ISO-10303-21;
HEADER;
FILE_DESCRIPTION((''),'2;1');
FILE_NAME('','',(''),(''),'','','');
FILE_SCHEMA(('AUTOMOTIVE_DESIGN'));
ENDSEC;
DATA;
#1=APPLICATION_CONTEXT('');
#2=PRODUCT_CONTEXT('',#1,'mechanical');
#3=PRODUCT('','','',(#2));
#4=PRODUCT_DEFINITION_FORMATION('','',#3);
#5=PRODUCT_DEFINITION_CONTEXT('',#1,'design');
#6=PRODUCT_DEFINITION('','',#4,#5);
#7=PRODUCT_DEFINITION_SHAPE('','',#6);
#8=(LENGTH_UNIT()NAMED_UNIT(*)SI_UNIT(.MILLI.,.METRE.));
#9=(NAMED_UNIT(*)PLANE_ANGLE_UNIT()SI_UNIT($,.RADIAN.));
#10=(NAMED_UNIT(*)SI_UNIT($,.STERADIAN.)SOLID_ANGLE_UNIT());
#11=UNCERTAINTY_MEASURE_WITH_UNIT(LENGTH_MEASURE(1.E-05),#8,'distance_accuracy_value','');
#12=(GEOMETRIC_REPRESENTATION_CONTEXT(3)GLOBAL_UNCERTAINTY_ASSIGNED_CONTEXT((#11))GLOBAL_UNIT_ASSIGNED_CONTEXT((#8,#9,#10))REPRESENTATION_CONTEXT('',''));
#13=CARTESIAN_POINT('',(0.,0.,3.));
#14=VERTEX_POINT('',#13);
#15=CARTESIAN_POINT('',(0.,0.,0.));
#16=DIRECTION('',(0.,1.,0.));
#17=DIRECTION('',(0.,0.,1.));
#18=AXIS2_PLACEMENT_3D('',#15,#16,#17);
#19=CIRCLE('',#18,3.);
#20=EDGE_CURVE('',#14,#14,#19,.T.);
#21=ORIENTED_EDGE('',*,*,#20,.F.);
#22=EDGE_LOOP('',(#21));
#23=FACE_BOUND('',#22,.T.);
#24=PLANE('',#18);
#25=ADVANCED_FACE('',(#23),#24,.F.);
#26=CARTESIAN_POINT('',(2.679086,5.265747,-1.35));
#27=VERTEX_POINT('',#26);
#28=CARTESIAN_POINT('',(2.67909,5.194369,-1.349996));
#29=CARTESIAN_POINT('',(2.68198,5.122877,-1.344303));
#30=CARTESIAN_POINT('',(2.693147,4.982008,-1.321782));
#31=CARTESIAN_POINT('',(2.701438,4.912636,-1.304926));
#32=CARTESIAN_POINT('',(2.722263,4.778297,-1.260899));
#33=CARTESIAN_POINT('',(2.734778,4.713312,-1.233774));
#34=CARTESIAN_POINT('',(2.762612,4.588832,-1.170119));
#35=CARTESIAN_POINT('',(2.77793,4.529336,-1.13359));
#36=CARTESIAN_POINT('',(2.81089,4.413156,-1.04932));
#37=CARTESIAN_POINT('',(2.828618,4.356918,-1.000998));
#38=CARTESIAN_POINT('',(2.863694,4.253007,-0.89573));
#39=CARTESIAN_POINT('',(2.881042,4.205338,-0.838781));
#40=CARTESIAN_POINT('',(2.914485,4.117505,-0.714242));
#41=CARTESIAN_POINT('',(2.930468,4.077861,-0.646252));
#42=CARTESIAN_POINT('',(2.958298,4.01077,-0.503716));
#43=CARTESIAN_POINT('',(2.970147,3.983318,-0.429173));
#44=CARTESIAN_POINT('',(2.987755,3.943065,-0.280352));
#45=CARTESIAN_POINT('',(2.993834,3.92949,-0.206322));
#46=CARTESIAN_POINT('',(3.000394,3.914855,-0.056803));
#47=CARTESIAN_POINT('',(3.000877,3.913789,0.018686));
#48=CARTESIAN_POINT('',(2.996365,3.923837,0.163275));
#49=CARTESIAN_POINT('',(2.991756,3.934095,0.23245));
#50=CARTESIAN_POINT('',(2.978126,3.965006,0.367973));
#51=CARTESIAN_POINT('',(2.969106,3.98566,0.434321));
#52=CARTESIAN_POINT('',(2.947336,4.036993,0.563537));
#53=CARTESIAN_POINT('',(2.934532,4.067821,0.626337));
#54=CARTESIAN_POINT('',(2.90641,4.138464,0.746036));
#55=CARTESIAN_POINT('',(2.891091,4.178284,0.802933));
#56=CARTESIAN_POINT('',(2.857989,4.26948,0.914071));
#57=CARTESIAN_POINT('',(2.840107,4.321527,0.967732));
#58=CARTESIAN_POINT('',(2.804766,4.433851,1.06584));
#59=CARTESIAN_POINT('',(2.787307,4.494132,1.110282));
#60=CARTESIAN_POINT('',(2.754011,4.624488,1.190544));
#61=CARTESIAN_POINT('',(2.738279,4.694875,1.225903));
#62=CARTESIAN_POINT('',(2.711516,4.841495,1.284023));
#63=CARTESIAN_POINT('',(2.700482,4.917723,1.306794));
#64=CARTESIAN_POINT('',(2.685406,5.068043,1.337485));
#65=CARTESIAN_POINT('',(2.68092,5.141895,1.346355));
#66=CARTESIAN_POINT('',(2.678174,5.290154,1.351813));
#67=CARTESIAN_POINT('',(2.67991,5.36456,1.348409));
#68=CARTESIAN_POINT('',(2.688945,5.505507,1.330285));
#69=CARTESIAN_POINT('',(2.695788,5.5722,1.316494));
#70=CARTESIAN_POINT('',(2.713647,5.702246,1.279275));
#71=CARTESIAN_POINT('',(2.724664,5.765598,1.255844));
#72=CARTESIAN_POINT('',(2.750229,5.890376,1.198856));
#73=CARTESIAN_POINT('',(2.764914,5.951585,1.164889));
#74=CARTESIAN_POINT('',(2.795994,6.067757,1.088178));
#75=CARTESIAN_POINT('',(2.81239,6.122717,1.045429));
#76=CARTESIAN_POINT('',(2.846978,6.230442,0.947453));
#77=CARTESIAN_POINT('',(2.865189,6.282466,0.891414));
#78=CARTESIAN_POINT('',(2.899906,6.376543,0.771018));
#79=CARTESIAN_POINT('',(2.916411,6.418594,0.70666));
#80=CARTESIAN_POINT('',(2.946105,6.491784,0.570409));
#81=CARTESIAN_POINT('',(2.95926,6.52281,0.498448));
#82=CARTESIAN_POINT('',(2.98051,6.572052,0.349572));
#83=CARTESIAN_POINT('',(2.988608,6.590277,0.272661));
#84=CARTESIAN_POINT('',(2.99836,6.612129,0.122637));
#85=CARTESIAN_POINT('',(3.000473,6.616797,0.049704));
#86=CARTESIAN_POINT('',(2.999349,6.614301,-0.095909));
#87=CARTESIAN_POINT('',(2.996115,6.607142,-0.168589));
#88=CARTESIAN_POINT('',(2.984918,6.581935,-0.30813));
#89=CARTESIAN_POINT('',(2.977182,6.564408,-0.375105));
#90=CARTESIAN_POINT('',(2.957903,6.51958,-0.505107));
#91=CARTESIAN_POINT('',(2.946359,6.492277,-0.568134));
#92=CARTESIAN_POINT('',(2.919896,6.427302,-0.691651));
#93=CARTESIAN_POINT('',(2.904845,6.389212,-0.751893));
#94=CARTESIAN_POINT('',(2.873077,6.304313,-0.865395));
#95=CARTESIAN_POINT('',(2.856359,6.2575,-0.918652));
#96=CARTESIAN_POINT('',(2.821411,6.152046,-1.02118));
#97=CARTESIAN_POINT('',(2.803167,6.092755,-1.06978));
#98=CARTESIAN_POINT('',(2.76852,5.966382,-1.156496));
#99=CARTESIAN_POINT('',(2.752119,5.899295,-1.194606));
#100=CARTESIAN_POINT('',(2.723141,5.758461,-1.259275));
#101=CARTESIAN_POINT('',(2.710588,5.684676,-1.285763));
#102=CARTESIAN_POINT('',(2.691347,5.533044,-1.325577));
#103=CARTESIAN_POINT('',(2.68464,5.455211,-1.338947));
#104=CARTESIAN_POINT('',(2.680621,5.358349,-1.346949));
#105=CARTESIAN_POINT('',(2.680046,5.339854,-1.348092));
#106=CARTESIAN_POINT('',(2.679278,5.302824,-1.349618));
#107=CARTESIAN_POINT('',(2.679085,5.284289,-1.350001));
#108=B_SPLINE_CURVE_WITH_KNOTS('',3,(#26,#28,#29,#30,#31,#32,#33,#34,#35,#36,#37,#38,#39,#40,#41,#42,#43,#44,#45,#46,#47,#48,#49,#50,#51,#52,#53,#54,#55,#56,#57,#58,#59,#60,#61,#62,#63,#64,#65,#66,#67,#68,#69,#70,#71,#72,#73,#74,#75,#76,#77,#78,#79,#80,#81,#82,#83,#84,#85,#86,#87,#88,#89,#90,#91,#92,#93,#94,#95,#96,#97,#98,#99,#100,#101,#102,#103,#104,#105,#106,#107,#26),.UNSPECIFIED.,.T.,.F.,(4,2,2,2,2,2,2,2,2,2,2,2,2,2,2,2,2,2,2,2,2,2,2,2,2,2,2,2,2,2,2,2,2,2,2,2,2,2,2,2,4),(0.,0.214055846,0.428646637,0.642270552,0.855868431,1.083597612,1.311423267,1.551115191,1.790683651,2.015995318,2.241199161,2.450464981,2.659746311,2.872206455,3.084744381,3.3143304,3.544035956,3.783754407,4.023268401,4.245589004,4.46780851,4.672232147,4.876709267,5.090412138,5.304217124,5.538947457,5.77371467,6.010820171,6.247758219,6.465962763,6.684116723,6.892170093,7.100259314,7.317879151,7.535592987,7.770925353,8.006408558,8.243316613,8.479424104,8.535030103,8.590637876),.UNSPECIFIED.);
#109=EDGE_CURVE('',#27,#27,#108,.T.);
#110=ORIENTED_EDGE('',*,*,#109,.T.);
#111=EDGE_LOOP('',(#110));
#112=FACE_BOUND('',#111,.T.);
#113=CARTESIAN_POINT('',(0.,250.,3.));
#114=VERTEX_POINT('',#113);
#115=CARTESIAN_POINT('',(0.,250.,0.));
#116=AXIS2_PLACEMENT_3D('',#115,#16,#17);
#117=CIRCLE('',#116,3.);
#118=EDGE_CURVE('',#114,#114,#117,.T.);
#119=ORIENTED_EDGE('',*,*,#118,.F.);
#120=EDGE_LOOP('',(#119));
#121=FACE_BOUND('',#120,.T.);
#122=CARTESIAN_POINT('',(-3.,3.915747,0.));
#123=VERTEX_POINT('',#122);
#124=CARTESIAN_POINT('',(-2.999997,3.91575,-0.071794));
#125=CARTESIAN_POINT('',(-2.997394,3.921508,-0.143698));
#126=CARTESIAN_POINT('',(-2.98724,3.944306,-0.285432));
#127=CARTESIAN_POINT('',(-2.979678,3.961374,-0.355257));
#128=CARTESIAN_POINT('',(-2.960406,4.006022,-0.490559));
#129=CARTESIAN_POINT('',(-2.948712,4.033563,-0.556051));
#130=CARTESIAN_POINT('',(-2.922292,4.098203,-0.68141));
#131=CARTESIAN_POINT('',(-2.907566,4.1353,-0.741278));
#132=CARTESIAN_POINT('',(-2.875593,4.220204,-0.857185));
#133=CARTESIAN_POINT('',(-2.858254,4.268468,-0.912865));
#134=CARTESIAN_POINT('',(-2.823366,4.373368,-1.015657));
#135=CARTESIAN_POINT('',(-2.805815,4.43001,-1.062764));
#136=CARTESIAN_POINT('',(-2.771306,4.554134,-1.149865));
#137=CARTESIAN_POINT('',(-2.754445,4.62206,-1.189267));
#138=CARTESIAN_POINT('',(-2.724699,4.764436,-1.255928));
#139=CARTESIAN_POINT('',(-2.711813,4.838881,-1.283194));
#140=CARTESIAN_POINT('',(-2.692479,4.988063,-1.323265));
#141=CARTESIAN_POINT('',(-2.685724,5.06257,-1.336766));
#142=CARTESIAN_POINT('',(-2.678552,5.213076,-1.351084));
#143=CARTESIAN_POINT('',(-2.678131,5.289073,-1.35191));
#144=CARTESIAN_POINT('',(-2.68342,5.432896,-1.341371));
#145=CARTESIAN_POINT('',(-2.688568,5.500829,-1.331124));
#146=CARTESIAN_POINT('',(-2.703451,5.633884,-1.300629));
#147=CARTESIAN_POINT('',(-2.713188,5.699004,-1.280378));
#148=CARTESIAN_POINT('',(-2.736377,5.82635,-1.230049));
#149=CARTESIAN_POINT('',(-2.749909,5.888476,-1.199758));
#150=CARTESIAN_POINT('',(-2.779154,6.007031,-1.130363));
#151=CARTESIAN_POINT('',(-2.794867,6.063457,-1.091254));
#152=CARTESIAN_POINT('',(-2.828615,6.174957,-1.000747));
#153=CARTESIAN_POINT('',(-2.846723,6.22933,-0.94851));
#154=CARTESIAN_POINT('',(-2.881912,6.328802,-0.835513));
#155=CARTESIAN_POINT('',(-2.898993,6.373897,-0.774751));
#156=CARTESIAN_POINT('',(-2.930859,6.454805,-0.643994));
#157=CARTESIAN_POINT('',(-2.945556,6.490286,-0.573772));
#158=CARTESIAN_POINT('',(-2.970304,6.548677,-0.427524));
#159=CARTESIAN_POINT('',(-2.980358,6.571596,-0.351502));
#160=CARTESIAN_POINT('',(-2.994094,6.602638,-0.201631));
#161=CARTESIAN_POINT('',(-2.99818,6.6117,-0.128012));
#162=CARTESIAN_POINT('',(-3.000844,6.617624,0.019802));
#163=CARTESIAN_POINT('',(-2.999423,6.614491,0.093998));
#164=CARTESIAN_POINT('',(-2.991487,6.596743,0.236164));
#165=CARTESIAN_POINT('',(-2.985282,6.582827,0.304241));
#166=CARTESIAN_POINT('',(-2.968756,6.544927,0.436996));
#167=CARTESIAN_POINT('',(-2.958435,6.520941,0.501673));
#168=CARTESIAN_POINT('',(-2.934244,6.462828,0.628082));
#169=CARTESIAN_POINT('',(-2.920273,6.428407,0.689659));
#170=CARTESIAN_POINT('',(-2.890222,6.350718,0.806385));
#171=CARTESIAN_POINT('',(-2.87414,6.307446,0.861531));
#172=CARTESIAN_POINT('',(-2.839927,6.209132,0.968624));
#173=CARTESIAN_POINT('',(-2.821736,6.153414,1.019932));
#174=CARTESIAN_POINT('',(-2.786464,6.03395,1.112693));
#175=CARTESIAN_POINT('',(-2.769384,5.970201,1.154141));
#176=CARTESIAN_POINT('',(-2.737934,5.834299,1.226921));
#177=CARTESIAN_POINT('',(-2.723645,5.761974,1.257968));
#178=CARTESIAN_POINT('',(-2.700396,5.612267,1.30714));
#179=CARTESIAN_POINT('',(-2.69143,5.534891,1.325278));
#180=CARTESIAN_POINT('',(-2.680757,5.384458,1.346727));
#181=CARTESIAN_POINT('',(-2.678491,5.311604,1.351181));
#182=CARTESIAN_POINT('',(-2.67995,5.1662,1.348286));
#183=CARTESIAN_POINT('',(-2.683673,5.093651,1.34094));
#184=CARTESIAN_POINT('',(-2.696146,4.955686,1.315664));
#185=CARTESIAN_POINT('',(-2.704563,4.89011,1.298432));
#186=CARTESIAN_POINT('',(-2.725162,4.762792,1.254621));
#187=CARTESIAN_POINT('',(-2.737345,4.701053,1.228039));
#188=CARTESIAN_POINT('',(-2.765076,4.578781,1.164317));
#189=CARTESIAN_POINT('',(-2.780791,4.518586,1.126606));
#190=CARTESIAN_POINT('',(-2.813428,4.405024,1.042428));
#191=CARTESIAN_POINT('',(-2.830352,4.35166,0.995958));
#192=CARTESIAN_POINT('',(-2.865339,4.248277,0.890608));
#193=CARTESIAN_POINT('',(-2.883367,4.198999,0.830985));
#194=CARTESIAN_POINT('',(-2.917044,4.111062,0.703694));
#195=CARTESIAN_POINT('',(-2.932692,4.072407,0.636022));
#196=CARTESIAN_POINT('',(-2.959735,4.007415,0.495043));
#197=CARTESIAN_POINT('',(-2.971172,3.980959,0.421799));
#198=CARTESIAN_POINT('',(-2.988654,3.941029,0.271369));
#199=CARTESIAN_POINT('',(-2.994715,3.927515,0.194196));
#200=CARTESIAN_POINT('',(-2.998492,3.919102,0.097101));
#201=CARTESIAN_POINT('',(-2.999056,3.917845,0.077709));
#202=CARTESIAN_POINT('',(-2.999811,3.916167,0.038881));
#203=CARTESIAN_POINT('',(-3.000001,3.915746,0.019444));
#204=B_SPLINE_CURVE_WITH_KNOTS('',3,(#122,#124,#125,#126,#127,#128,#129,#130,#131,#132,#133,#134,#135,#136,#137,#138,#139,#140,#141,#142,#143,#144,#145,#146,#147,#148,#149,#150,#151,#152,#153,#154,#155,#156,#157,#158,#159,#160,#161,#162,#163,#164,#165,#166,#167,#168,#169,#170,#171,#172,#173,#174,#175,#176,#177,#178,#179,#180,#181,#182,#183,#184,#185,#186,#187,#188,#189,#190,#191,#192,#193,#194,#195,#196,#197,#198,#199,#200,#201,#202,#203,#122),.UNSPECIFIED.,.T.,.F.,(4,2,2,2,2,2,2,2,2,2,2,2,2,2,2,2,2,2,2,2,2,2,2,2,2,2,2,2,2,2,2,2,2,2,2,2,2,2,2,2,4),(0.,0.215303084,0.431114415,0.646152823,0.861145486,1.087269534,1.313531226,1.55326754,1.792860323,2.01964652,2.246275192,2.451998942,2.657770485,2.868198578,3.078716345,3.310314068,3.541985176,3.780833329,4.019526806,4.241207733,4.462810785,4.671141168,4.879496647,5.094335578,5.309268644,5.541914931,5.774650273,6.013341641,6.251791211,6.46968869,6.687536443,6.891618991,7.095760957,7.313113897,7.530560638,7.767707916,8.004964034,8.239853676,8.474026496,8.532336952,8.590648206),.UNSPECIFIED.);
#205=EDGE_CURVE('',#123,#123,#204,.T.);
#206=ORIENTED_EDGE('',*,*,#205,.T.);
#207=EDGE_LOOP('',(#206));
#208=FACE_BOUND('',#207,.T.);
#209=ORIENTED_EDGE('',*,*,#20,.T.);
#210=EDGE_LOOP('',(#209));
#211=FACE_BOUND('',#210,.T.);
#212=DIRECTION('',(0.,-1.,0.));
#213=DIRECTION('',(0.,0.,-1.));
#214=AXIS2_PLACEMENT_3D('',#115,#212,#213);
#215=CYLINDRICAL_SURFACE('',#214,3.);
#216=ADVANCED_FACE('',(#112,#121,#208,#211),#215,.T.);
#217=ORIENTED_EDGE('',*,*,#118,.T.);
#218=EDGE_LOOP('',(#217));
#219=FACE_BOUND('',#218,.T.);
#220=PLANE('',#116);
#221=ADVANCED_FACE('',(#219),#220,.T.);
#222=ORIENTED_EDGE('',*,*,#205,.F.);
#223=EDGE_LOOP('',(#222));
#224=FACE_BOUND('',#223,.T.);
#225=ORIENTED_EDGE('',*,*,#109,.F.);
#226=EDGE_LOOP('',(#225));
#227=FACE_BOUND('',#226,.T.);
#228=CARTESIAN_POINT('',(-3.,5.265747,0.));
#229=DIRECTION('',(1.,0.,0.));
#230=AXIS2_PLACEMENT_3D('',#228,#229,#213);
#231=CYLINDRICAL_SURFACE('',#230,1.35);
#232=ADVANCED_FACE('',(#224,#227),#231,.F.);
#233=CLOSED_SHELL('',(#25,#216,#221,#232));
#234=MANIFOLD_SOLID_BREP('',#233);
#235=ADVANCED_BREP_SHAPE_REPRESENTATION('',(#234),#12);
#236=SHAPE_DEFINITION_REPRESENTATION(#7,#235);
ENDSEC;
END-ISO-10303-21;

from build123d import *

# Parameters (mm, degrees)
SKETCH_1_R          = 3
EXTRUDE_1_DEPTH     = 250
SKETCH_2_R          = 1.35
CUT_EXTRUDE_1_DEPTH = 251.089983806


with BuildPart() as part:
    # 草图1 → 凸台-拉伸1 (new body)
    with BuildSketch(Plane(origin=(0, 0, 0), x_dir=(1, 0, 0), z_dir=(0, 1, 0))):
        with Locations(Location((0, 0, 0), (0, 0, 270))):
            Circle(SKETCH_1_R)
    extrude(amount=EXTRUDE_1_DEPTH)

    # 草图2 → 切除-拉伸1 (cut, through all)
    with BuildSketch(Plane(origin=(3, 0, 0), x_dir=(0, 0, -1), z_dir=(1, 0, 0))):
        with Locations((0, 5.265746638)):
            Circle(SKETCH_2_R)
    extrude(amount=-CUT_EXTRUDE_1_DEPTH, mode=Mode.SUBTRACT)


solid = part.part
